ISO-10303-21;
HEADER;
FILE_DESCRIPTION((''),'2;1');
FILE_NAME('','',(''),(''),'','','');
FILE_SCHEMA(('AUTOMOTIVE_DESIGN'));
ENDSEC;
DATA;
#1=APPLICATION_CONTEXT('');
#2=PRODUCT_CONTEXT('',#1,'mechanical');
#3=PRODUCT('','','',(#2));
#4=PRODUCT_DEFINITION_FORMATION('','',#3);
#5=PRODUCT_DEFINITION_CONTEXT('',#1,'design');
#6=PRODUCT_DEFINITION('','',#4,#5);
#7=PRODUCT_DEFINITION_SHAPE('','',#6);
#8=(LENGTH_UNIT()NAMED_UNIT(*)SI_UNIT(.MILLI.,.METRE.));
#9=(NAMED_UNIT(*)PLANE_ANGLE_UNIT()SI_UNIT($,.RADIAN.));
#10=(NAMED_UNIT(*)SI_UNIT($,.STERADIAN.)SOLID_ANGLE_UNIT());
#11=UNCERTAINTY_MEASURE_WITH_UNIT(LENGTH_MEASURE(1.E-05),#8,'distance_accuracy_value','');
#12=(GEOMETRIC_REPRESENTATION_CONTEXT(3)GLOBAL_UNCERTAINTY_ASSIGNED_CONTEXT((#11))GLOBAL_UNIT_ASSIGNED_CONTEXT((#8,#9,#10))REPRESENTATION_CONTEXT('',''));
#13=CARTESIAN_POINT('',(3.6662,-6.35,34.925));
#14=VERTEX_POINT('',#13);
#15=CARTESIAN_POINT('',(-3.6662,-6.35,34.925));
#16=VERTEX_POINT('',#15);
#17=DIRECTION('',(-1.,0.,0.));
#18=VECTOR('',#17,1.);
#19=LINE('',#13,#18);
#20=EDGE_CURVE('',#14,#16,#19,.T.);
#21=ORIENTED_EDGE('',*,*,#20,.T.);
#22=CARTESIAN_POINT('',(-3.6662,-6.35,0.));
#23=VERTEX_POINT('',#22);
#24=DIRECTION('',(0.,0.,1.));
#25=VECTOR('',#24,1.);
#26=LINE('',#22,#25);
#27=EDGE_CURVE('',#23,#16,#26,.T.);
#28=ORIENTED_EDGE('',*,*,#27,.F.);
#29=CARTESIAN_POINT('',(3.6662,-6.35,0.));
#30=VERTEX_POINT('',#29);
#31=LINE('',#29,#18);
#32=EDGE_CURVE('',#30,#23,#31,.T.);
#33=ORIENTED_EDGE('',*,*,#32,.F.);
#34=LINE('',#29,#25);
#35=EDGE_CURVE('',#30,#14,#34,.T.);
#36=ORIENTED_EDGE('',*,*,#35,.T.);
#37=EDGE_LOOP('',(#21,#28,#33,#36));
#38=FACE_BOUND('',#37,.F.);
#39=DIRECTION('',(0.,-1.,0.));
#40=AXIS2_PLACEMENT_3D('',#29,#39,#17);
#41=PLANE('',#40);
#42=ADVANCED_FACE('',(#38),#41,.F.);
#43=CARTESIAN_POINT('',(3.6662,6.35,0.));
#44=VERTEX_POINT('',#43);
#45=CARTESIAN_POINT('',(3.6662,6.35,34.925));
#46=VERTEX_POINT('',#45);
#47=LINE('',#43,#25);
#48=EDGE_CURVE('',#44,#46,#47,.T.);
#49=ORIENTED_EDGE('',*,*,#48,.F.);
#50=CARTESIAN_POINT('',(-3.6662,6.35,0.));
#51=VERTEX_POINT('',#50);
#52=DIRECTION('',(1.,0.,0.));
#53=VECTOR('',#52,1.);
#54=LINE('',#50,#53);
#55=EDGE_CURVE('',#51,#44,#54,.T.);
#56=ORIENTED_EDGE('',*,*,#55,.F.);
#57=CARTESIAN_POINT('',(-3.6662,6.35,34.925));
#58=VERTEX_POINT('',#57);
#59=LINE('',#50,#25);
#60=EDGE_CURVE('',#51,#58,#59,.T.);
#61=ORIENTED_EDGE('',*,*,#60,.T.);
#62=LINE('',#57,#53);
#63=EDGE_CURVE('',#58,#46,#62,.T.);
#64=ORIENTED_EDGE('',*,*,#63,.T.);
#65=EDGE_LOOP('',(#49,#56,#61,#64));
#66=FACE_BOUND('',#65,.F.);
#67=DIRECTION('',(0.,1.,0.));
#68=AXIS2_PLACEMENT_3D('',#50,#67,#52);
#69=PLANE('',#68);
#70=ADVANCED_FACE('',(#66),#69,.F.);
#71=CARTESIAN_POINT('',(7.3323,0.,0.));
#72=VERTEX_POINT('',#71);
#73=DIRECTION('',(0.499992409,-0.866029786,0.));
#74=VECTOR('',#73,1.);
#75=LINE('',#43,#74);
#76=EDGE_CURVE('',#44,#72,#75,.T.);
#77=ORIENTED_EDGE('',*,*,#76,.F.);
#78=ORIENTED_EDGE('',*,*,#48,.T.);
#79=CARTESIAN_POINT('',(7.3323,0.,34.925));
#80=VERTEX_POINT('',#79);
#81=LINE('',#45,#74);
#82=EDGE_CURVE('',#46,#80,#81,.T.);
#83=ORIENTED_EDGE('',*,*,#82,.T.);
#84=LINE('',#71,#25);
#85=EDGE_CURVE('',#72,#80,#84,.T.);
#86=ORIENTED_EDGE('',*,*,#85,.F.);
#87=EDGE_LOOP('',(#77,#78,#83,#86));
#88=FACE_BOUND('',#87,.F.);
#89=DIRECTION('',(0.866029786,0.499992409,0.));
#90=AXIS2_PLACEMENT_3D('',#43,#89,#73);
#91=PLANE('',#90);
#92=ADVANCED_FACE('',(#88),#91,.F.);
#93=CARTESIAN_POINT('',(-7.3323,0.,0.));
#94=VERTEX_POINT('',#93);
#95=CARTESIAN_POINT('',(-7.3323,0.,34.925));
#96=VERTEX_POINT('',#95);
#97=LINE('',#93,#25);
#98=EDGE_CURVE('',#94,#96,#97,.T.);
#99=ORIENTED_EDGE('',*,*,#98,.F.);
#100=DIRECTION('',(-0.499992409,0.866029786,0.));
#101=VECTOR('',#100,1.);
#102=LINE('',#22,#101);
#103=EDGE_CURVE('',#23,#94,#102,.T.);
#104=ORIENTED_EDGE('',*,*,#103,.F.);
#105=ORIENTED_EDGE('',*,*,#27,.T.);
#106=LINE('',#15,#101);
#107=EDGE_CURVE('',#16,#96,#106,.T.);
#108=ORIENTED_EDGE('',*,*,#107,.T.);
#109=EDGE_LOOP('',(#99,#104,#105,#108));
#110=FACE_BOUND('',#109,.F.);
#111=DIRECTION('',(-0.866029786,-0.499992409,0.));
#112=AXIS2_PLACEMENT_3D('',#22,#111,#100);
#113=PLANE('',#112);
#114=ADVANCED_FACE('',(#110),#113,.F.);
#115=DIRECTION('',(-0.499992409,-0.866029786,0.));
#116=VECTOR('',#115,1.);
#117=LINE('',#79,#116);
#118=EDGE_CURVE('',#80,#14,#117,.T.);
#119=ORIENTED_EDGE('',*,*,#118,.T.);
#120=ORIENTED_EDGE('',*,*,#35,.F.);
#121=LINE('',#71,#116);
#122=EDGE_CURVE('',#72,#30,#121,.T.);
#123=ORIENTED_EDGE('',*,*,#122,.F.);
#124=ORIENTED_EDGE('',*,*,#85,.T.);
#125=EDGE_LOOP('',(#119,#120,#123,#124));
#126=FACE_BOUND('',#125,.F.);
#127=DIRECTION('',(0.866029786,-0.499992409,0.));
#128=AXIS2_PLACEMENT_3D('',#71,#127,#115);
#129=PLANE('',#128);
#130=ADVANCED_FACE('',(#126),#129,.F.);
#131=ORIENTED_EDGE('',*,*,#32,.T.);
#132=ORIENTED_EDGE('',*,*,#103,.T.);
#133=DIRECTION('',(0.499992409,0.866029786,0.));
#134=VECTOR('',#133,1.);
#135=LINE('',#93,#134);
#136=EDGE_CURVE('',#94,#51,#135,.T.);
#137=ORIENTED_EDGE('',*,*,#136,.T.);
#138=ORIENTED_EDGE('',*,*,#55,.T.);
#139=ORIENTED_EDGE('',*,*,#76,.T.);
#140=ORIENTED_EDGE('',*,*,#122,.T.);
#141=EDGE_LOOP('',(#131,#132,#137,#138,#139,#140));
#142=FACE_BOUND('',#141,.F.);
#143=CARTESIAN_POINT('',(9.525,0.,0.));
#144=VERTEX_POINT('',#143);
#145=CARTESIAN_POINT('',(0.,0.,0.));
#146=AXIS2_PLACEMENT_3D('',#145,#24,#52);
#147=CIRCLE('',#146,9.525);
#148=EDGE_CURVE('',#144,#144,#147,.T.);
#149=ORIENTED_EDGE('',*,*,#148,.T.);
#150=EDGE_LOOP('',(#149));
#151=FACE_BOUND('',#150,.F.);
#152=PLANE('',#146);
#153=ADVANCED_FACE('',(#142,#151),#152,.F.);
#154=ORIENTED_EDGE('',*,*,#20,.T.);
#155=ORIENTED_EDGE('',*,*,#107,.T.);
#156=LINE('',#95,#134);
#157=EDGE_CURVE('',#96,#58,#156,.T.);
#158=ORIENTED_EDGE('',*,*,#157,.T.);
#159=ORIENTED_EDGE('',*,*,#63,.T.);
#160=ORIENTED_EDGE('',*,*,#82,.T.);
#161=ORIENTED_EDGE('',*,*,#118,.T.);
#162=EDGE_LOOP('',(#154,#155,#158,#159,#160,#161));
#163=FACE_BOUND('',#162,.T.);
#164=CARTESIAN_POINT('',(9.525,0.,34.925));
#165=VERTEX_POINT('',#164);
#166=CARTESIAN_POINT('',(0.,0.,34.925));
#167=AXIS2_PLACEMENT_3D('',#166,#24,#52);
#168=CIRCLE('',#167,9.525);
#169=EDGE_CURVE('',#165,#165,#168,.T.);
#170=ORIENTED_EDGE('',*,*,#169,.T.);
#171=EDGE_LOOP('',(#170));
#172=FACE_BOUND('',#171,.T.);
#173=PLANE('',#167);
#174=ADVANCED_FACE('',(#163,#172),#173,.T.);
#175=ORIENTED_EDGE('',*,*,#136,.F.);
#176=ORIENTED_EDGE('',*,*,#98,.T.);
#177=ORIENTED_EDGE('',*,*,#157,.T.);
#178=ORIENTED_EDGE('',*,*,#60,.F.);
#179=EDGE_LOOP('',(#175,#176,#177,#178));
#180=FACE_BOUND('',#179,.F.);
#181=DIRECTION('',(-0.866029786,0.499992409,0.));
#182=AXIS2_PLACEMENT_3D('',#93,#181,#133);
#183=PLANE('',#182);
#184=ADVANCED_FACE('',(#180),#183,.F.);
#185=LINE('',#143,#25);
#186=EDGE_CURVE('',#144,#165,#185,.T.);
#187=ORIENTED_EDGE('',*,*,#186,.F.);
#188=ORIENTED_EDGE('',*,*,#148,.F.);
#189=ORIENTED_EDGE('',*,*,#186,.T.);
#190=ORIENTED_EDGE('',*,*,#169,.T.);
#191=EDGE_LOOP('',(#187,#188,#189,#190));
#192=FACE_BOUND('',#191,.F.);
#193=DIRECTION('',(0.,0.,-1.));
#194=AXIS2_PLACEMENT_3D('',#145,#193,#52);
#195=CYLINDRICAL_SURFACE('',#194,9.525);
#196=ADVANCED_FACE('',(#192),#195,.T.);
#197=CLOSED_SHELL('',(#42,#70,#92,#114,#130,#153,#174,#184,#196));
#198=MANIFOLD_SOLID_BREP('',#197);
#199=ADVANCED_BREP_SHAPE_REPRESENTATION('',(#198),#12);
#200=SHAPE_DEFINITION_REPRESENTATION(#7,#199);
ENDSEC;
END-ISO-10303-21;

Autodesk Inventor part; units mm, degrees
ref_plane "YZ Plane" through (0, 0, 0) normal (1, 0, 0) x (0, 1, 0)
ref_plane "XZ Plane" through (0, 0, 0) normal (0, 1, 0) x (-1, 0, 0)
ref_plane "XY Plane" through (0, 0, 0) normal (0, 0, 1) x (1, 0, 0)
sketch "Sketch1" plane through (0, 0, 0) normal (0, 0, 1) x (1, 0, 0)
  circle A0 centre (0, 0) radius 9.525
  line L0 (3.6662, 6.35) -> (7.3323, 0)
  line L1 (7.3323, 0) -> (3.6662, -6.35)
  line L2 (3.6662, -6.35) -> (-3.6662, -6.35)
  line L3 (-3.6662, -6.35) -> (-7.3323, 0)
  line L4 (-7.3323, 0) -> (-3.6662, 6.35)
  line L5 (-3.6662, 6.35) -> (3.6662, 6.35)
  dimension "d0" = 19.05
  dimension "d1" = 12.7
extrude "Extrusion1" add sketch "Sketch1" along normal blind 34.925
properties part number "DGB_003_1.375HexSpacer" material "ABS Plastic"
